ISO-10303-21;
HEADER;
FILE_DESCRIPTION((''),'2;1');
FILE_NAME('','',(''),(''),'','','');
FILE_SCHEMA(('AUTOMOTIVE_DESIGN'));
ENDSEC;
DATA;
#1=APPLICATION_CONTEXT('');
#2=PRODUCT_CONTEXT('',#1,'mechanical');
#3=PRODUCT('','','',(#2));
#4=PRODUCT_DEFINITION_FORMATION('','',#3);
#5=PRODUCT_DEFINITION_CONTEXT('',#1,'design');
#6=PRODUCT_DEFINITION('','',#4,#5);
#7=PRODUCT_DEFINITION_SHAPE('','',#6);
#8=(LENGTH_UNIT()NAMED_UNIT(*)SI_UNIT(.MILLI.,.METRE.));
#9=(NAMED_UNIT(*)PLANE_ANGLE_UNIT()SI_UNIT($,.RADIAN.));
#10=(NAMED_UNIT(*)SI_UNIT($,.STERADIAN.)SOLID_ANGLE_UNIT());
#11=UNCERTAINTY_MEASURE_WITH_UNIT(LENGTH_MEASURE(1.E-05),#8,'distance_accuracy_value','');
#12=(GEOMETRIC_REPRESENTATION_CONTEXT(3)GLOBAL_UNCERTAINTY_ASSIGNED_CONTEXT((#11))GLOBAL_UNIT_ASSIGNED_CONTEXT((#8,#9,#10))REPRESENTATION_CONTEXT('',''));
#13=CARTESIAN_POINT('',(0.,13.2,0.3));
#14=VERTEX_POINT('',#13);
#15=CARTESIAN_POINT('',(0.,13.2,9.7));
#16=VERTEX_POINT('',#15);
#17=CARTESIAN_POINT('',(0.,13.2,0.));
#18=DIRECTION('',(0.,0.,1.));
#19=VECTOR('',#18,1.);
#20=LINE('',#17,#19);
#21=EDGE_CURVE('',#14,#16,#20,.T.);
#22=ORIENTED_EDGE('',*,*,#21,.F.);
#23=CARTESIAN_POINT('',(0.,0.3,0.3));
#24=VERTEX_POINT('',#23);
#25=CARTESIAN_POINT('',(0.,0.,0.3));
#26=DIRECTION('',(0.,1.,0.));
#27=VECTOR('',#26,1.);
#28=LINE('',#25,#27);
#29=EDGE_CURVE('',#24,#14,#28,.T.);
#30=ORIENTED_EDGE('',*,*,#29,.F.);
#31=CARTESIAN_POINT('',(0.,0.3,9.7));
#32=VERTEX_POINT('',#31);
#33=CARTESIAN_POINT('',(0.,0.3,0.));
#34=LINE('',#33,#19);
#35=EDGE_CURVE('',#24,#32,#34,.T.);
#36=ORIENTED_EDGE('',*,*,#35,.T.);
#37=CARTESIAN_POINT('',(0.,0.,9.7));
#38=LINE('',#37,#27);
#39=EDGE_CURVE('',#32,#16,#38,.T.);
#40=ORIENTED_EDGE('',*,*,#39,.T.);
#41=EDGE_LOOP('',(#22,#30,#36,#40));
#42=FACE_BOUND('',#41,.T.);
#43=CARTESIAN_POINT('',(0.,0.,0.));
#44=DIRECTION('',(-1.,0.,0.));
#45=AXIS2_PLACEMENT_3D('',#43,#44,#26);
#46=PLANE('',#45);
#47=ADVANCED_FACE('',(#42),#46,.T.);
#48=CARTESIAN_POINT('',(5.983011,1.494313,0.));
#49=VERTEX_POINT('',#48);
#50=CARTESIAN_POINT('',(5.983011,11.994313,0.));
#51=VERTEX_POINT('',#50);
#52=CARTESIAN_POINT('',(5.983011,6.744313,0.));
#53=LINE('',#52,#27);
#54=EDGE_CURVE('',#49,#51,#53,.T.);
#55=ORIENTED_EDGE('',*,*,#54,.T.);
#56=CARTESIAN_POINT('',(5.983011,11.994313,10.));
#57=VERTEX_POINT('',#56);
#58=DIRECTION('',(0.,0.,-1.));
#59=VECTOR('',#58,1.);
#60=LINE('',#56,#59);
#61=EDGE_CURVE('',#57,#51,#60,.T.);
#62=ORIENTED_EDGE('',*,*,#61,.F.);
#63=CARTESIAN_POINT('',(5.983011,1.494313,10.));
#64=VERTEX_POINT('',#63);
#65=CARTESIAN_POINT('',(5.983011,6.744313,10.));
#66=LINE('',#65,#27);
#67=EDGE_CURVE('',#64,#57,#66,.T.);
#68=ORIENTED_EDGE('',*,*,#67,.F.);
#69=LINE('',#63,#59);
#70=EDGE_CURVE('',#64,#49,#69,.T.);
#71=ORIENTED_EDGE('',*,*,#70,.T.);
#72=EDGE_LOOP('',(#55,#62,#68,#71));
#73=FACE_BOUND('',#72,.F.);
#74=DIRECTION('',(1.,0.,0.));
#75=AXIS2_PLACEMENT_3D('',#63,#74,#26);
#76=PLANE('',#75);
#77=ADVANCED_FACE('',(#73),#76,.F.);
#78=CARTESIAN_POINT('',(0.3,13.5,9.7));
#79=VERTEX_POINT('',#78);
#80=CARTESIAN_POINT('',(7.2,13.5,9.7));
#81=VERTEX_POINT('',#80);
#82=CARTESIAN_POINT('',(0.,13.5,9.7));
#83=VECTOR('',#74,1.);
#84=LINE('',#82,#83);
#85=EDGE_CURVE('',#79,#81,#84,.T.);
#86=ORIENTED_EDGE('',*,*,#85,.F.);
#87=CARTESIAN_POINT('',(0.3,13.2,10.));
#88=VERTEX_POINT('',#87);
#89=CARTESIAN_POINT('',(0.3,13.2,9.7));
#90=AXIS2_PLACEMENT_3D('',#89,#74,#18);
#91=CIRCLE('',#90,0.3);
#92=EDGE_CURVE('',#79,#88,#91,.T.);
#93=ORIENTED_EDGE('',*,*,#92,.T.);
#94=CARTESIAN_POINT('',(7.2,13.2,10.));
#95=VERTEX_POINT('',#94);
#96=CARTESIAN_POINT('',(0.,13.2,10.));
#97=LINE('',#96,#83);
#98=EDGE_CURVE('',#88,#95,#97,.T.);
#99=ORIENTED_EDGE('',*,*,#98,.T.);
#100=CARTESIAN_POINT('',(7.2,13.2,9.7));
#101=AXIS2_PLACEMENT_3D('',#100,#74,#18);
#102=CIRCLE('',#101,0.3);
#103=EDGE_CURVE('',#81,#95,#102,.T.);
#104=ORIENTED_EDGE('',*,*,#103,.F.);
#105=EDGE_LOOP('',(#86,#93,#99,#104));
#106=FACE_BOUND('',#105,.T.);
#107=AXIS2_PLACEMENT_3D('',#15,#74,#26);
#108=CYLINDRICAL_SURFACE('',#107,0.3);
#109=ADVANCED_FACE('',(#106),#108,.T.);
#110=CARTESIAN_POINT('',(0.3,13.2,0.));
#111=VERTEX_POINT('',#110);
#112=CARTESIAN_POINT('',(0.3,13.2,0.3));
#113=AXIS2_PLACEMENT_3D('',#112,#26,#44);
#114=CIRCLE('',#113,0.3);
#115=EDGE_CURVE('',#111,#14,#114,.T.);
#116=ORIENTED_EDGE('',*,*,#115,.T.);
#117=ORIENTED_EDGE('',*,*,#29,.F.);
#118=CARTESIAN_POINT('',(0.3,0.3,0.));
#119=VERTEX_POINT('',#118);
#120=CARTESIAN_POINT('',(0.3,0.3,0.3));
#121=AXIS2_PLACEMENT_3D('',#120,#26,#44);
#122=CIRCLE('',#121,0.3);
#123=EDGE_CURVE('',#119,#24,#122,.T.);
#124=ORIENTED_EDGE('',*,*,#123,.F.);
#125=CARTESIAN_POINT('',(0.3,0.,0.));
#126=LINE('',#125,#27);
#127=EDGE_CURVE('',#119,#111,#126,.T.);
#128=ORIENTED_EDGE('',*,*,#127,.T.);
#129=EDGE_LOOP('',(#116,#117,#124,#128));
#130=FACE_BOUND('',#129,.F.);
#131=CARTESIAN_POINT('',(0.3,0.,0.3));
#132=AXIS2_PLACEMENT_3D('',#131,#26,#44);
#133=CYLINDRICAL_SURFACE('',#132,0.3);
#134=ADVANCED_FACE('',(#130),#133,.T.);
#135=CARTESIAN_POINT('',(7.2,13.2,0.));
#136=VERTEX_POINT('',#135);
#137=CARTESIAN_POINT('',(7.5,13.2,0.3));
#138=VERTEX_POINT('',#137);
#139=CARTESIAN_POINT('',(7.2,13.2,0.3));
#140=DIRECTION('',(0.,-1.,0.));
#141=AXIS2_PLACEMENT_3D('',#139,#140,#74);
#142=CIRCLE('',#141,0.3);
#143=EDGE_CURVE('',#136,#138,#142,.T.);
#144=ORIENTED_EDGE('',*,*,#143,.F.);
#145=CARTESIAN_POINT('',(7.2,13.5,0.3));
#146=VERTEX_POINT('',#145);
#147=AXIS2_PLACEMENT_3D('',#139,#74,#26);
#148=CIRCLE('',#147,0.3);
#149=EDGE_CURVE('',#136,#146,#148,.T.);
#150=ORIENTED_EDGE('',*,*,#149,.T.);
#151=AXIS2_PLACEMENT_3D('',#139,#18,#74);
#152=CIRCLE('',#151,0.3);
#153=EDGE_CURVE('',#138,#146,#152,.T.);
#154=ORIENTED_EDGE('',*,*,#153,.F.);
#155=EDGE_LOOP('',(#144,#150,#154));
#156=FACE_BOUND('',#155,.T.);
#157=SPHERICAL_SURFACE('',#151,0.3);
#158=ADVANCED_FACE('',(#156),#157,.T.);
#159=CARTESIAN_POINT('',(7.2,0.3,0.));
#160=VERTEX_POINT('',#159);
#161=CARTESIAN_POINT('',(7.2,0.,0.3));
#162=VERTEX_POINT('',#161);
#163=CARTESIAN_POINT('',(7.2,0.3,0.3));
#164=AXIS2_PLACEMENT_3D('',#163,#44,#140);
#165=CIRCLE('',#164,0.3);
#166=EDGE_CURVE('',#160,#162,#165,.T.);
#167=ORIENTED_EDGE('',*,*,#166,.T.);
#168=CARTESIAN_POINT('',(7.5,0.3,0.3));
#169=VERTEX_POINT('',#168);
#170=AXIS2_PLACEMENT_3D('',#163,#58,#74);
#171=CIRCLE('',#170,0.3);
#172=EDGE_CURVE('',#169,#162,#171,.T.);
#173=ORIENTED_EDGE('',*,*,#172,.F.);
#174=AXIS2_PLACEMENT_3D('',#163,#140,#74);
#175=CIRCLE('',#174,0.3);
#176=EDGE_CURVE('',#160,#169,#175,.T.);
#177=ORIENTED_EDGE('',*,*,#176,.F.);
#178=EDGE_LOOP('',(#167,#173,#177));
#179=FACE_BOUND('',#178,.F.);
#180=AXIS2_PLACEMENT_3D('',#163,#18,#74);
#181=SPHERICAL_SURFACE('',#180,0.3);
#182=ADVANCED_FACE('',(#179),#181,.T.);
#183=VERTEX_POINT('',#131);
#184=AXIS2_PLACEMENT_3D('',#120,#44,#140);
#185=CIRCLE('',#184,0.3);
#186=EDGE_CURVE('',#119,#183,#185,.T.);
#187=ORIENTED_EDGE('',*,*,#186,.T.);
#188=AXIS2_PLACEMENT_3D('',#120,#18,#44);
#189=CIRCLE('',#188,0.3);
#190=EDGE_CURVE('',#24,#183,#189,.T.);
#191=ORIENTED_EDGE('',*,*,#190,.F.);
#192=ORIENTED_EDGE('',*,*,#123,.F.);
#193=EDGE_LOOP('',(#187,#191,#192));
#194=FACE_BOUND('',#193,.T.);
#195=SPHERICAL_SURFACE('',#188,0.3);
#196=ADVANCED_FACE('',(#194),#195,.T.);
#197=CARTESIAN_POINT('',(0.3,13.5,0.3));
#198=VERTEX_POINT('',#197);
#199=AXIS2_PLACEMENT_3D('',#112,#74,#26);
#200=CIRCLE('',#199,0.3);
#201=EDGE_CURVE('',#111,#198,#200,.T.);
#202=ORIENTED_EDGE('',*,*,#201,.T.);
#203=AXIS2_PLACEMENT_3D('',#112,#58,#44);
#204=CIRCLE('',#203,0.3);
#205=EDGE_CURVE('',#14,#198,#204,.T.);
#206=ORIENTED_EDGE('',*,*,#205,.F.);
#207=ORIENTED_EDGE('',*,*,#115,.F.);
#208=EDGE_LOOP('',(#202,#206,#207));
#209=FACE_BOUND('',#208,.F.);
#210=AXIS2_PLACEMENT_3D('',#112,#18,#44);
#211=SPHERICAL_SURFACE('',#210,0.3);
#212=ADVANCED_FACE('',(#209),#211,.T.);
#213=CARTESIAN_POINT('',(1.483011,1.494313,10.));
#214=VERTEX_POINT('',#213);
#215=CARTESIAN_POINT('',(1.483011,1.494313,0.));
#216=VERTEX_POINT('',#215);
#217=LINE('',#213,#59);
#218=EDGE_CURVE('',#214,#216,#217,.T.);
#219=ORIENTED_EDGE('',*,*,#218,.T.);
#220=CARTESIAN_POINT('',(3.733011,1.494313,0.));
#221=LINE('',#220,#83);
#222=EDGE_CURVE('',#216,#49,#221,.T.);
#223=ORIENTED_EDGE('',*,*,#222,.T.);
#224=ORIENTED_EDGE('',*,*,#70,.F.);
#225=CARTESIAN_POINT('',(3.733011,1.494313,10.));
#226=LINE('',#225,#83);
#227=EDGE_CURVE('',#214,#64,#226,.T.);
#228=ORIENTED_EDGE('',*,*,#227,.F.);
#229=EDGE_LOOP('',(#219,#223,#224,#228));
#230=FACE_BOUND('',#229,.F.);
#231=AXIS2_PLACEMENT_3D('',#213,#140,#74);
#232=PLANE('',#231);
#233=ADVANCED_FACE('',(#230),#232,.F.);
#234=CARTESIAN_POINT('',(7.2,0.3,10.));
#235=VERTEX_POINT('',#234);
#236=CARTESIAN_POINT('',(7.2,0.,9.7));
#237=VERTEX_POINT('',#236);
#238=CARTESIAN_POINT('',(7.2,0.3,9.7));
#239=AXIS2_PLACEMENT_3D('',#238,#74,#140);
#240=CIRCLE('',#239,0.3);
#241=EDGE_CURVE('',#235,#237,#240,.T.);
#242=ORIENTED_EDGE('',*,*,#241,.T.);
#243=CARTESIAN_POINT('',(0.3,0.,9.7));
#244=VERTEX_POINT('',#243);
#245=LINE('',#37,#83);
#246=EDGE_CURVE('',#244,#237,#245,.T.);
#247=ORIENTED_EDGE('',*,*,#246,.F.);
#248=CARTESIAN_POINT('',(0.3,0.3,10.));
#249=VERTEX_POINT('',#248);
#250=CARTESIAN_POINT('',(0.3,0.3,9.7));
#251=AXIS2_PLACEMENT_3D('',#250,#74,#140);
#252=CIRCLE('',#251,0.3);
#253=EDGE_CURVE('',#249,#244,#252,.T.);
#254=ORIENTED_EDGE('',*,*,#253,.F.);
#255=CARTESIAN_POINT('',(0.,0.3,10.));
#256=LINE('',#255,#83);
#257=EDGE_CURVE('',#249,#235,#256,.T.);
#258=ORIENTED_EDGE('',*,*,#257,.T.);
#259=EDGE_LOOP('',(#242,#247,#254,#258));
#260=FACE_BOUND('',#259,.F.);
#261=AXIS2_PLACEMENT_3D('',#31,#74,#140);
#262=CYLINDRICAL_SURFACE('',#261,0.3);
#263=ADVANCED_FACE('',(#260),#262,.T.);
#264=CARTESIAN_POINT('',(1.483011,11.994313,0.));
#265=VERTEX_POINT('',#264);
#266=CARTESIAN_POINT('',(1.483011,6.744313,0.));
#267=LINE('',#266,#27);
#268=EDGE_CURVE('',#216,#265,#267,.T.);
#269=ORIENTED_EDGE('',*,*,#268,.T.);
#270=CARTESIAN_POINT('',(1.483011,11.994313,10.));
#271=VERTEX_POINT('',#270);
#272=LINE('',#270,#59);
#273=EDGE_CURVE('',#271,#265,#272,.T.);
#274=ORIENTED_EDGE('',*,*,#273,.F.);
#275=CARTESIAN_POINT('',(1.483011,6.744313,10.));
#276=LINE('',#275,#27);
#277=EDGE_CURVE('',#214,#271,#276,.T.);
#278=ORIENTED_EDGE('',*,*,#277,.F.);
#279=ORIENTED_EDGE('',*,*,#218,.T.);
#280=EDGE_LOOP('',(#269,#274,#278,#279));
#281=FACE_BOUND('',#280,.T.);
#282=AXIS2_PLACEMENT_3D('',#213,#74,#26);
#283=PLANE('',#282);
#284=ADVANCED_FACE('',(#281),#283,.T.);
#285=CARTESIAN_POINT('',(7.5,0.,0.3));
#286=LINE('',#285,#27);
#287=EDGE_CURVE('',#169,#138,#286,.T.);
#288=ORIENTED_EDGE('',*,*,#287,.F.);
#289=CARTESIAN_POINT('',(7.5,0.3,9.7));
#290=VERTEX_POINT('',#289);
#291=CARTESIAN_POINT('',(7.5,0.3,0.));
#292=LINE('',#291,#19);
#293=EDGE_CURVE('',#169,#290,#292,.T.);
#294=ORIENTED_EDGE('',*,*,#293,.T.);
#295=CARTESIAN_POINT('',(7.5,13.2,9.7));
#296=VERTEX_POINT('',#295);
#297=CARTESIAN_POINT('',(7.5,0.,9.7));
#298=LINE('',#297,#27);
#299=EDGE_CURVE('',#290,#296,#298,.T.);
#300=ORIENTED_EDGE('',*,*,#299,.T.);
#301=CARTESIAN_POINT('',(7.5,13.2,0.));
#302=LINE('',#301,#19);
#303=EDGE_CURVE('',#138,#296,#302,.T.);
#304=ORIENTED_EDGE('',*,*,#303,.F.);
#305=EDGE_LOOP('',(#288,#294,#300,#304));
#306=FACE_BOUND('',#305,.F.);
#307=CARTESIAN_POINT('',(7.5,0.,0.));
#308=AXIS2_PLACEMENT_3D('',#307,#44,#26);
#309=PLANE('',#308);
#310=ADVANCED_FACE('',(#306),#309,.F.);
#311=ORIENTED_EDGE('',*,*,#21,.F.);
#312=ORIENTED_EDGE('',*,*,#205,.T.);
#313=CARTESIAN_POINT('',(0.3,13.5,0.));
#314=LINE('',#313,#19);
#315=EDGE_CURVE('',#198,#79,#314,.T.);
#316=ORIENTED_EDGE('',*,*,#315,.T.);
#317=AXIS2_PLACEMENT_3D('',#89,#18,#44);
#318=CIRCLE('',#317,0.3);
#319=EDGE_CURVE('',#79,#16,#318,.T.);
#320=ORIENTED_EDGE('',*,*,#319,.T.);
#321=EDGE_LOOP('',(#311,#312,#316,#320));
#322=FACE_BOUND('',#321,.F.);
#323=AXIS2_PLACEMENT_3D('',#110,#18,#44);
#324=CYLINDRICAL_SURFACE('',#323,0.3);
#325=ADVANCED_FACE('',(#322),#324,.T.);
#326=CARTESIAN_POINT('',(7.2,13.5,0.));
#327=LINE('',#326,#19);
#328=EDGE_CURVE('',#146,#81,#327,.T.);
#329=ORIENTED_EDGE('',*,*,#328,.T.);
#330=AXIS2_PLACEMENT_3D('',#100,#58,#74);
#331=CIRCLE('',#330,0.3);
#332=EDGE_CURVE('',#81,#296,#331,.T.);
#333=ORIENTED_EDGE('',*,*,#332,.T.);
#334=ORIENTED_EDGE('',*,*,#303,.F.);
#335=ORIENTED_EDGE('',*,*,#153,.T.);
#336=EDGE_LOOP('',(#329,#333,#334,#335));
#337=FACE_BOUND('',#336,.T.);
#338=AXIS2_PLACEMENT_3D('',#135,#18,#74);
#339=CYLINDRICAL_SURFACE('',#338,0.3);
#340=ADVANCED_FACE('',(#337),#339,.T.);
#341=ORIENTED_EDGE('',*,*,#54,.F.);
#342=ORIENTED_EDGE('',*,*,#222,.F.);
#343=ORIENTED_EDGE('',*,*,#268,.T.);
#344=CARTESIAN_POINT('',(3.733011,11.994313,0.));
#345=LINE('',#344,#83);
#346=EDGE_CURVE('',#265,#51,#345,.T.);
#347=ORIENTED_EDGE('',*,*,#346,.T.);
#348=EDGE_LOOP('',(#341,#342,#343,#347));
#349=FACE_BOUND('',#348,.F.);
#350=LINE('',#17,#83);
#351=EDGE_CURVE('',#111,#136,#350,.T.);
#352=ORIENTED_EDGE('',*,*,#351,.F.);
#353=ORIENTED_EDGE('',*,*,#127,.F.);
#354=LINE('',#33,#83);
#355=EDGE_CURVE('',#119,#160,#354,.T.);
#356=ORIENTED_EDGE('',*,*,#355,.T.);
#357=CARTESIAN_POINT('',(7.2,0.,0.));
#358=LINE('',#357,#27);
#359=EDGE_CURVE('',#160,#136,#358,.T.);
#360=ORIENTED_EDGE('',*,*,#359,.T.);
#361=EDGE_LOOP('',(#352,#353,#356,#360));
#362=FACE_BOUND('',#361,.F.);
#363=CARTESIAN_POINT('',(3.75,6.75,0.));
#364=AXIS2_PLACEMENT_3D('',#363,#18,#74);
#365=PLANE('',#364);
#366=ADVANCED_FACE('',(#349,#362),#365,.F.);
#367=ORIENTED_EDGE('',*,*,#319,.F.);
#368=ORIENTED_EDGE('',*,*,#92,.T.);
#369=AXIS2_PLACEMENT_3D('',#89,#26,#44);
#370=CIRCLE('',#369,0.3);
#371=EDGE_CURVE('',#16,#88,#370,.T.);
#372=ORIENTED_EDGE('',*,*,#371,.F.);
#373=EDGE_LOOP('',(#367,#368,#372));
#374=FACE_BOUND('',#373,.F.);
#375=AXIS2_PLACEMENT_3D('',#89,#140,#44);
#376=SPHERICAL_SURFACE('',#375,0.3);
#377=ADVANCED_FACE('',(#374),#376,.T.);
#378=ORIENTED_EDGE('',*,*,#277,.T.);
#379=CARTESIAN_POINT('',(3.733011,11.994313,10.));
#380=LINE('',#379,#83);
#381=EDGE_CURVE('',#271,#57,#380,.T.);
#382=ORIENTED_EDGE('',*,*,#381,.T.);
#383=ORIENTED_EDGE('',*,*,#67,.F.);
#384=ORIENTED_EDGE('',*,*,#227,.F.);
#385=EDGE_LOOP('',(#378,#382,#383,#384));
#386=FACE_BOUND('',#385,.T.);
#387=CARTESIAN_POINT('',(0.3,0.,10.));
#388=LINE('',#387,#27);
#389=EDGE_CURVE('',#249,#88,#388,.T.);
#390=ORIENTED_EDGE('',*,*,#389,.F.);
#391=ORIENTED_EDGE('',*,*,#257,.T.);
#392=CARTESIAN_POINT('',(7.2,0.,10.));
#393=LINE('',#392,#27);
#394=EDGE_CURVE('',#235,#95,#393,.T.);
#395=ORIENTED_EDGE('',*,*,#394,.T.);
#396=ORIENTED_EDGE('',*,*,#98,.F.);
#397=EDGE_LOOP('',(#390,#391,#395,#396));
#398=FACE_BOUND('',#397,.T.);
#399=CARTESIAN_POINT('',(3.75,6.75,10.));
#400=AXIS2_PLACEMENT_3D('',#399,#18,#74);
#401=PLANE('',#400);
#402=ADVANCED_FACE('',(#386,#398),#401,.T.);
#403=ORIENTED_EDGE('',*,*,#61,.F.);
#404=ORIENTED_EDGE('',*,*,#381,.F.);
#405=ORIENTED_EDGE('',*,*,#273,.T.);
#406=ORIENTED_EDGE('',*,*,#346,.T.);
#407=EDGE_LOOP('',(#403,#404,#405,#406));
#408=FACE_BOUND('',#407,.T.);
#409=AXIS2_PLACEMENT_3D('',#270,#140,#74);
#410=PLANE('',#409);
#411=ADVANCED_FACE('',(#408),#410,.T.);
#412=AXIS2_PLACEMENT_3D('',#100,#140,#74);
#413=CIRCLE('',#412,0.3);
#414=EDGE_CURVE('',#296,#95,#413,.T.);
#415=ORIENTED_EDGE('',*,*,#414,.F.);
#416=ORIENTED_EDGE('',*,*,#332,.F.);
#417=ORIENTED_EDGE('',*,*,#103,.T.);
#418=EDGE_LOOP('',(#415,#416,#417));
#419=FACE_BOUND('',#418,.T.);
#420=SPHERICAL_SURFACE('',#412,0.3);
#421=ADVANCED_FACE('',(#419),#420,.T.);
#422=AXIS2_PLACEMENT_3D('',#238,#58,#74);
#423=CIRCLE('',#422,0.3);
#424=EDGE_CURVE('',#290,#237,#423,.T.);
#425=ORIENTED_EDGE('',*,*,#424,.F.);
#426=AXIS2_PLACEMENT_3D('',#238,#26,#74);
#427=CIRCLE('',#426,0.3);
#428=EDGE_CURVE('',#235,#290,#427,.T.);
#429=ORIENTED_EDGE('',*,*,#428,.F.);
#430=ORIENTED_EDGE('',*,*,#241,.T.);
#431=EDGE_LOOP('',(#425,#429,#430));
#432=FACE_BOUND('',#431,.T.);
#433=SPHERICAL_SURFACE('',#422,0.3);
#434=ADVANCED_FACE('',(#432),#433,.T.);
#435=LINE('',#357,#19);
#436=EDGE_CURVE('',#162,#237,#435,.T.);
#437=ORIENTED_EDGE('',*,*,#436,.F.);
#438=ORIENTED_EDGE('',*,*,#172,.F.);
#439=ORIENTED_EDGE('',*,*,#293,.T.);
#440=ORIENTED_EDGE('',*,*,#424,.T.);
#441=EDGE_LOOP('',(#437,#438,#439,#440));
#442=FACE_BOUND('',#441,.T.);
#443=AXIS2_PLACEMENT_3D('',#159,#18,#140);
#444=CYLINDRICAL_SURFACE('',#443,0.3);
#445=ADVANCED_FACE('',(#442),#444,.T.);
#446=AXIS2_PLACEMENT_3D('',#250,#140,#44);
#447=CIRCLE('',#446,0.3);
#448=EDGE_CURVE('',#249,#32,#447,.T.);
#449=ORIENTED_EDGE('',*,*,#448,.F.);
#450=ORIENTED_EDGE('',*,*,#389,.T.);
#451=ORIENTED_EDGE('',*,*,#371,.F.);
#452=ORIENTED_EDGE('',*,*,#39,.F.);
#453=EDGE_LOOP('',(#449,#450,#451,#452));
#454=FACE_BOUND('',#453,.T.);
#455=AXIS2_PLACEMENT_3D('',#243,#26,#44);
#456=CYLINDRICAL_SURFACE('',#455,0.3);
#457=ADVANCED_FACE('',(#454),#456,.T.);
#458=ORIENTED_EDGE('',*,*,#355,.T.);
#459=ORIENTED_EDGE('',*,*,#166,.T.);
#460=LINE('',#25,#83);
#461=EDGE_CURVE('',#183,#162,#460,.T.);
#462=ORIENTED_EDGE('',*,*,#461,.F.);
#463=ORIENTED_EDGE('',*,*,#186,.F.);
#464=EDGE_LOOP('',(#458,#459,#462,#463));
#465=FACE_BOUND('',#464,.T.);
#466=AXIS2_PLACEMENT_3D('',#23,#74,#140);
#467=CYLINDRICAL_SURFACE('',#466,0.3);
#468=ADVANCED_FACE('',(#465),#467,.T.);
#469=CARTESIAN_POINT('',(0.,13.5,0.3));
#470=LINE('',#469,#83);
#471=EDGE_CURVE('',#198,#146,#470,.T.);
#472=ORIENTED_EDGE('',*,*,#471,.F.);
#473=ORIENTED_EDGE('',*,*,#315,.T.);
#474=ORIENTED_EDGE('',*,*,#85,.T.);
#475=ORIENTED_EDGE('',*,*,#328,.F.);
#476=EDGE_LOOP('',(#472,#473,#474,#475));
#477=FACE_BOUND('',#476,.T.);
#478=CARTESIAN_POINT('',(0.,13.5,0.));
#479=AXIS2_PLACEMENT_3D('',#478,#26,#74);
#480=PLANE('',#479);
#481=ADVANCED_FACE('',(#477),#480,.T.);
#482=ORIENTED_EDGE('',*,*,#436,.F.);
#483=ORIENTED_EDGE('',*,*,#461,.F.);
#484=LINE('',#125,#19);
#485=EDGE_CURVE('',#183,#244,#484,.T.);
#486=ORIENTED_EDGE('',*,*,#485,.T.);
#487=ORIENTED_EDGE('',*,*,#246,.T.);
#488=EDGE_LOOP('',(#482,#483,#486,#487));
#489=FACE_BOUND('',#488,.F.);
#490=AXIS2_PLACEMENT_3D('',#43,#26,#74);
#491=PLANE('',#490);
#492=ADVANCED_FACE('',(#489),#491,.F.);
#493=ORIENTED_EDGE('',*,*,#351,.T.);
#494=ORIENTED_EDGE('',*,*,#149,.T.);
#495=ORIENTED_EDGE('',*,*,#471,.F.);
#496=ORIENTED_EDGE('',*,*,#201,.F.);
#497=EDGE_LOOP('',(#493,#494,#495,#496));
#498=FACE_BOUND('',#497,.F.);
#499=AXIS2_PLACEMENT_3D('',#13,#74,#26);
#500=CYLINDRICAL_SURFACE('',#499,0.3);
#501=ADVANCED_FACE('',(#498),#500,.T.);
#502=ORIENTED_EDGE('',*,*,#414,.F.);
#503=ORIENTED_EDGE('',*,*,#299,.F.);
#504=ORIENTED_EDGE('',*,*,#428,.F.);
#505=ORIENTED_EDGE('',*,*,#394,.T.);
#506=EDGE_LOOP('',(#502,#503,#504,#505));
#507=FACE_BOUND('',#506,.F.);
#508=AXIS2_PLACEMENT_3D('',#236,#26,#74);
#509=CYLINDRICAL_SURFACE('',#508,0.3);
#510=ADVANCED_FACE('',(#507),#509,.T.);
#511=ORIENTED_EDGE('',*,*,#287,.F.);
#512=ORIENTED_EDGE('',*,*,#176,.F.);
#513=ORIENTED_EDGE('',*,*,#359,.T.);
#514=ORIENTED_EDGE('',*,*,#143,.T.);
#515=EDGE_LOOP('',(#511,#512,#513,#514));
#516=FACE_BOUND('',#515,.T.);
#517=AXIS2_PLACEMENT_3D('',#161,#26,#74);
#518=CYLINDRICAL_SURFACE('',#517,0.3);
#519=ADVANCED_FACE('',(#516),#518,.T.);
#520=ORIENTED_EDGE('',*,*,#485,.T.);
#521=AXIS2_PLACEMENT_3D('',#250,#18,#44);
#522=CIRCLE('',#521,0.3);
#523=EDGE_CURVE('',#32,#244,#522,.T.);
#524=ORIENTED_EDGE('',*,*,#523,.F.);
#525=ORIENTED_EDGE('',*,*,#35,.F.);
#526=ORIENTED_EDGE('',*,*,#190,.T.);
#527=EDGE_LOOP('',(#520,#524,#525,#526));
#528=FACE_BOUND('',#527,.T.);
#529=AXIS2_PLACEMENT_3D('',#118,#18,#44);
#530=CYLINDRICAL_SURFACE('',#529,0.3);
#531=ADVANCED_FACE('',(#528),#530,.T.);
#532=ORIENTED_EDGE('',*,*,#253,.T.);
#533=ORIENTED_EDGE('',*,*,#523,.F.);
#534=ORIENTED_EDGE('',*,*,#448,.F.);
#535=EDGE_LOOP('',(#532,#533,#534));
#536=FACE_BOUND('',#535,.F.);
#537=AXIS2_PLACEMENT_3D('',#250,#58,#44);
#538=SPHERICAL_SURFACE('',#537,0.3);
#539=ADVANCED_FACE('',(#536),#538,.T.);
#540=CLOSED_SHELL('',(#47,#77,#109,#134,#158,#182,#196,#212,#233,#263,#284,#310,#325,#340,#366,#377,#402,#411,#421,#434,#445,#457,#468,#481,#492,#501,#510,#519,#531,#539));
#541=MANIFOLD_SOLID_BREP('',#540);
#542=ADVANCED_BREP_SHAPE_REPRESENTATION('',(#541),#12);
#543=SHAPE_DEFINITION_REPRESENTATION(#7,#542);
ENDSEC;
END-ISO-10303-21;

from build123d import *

# Parameters (mm, degrees)
BOX_W        = 7.5
BOX_H        = 13.5
BOX_DEPTH    = 10
FILLET_R     = 0.3
SKETCH_W     = 4.5
SKETCH_H     = 10.5
POCKET_DEPTH = 10


with BuildPart() as part:
    # Box → Box (new body)
    with BuildSketch(Plane.XY):
        with Locations((3.75, 6.75)):
            Rectangle(BOX_W, BOX_H)
    extrude(amount=BOX_DEPTH)

    # Fillet
    fillet_edges = [part.edges().sort_by_distance(p)[0] for p in [
        (0, 0, 5),
        (0, 6.75, 10),
        (0, 13.5, 5),
        (0, 6.75, 0),
        (7.5, 0, 5),
        (7.5, 6.75, 10),
        (7.5, 13.5, 5),
        (7.5, 6.75, 0),
        (3.75, 0, 0),
        (3.75, 0, 10),
        (3.75, 13.5, 0),
        (3.75, 13.5, 10),
    ]]
    fillet(fillet_edges, radius=FILLET_R)

    # Sketch (on Face6 of Box) → Pocket (cut)
    with BuildSketch(Plane.XY.offset(10)):
        with Locations((3.733011, 6.744313)):
            Rectangle(SKETCH_W, SKETCH_H)
    extrude(amount=-POCKET_DEPTH, mode=Mode.SUBTRACT)


solid = part.part
